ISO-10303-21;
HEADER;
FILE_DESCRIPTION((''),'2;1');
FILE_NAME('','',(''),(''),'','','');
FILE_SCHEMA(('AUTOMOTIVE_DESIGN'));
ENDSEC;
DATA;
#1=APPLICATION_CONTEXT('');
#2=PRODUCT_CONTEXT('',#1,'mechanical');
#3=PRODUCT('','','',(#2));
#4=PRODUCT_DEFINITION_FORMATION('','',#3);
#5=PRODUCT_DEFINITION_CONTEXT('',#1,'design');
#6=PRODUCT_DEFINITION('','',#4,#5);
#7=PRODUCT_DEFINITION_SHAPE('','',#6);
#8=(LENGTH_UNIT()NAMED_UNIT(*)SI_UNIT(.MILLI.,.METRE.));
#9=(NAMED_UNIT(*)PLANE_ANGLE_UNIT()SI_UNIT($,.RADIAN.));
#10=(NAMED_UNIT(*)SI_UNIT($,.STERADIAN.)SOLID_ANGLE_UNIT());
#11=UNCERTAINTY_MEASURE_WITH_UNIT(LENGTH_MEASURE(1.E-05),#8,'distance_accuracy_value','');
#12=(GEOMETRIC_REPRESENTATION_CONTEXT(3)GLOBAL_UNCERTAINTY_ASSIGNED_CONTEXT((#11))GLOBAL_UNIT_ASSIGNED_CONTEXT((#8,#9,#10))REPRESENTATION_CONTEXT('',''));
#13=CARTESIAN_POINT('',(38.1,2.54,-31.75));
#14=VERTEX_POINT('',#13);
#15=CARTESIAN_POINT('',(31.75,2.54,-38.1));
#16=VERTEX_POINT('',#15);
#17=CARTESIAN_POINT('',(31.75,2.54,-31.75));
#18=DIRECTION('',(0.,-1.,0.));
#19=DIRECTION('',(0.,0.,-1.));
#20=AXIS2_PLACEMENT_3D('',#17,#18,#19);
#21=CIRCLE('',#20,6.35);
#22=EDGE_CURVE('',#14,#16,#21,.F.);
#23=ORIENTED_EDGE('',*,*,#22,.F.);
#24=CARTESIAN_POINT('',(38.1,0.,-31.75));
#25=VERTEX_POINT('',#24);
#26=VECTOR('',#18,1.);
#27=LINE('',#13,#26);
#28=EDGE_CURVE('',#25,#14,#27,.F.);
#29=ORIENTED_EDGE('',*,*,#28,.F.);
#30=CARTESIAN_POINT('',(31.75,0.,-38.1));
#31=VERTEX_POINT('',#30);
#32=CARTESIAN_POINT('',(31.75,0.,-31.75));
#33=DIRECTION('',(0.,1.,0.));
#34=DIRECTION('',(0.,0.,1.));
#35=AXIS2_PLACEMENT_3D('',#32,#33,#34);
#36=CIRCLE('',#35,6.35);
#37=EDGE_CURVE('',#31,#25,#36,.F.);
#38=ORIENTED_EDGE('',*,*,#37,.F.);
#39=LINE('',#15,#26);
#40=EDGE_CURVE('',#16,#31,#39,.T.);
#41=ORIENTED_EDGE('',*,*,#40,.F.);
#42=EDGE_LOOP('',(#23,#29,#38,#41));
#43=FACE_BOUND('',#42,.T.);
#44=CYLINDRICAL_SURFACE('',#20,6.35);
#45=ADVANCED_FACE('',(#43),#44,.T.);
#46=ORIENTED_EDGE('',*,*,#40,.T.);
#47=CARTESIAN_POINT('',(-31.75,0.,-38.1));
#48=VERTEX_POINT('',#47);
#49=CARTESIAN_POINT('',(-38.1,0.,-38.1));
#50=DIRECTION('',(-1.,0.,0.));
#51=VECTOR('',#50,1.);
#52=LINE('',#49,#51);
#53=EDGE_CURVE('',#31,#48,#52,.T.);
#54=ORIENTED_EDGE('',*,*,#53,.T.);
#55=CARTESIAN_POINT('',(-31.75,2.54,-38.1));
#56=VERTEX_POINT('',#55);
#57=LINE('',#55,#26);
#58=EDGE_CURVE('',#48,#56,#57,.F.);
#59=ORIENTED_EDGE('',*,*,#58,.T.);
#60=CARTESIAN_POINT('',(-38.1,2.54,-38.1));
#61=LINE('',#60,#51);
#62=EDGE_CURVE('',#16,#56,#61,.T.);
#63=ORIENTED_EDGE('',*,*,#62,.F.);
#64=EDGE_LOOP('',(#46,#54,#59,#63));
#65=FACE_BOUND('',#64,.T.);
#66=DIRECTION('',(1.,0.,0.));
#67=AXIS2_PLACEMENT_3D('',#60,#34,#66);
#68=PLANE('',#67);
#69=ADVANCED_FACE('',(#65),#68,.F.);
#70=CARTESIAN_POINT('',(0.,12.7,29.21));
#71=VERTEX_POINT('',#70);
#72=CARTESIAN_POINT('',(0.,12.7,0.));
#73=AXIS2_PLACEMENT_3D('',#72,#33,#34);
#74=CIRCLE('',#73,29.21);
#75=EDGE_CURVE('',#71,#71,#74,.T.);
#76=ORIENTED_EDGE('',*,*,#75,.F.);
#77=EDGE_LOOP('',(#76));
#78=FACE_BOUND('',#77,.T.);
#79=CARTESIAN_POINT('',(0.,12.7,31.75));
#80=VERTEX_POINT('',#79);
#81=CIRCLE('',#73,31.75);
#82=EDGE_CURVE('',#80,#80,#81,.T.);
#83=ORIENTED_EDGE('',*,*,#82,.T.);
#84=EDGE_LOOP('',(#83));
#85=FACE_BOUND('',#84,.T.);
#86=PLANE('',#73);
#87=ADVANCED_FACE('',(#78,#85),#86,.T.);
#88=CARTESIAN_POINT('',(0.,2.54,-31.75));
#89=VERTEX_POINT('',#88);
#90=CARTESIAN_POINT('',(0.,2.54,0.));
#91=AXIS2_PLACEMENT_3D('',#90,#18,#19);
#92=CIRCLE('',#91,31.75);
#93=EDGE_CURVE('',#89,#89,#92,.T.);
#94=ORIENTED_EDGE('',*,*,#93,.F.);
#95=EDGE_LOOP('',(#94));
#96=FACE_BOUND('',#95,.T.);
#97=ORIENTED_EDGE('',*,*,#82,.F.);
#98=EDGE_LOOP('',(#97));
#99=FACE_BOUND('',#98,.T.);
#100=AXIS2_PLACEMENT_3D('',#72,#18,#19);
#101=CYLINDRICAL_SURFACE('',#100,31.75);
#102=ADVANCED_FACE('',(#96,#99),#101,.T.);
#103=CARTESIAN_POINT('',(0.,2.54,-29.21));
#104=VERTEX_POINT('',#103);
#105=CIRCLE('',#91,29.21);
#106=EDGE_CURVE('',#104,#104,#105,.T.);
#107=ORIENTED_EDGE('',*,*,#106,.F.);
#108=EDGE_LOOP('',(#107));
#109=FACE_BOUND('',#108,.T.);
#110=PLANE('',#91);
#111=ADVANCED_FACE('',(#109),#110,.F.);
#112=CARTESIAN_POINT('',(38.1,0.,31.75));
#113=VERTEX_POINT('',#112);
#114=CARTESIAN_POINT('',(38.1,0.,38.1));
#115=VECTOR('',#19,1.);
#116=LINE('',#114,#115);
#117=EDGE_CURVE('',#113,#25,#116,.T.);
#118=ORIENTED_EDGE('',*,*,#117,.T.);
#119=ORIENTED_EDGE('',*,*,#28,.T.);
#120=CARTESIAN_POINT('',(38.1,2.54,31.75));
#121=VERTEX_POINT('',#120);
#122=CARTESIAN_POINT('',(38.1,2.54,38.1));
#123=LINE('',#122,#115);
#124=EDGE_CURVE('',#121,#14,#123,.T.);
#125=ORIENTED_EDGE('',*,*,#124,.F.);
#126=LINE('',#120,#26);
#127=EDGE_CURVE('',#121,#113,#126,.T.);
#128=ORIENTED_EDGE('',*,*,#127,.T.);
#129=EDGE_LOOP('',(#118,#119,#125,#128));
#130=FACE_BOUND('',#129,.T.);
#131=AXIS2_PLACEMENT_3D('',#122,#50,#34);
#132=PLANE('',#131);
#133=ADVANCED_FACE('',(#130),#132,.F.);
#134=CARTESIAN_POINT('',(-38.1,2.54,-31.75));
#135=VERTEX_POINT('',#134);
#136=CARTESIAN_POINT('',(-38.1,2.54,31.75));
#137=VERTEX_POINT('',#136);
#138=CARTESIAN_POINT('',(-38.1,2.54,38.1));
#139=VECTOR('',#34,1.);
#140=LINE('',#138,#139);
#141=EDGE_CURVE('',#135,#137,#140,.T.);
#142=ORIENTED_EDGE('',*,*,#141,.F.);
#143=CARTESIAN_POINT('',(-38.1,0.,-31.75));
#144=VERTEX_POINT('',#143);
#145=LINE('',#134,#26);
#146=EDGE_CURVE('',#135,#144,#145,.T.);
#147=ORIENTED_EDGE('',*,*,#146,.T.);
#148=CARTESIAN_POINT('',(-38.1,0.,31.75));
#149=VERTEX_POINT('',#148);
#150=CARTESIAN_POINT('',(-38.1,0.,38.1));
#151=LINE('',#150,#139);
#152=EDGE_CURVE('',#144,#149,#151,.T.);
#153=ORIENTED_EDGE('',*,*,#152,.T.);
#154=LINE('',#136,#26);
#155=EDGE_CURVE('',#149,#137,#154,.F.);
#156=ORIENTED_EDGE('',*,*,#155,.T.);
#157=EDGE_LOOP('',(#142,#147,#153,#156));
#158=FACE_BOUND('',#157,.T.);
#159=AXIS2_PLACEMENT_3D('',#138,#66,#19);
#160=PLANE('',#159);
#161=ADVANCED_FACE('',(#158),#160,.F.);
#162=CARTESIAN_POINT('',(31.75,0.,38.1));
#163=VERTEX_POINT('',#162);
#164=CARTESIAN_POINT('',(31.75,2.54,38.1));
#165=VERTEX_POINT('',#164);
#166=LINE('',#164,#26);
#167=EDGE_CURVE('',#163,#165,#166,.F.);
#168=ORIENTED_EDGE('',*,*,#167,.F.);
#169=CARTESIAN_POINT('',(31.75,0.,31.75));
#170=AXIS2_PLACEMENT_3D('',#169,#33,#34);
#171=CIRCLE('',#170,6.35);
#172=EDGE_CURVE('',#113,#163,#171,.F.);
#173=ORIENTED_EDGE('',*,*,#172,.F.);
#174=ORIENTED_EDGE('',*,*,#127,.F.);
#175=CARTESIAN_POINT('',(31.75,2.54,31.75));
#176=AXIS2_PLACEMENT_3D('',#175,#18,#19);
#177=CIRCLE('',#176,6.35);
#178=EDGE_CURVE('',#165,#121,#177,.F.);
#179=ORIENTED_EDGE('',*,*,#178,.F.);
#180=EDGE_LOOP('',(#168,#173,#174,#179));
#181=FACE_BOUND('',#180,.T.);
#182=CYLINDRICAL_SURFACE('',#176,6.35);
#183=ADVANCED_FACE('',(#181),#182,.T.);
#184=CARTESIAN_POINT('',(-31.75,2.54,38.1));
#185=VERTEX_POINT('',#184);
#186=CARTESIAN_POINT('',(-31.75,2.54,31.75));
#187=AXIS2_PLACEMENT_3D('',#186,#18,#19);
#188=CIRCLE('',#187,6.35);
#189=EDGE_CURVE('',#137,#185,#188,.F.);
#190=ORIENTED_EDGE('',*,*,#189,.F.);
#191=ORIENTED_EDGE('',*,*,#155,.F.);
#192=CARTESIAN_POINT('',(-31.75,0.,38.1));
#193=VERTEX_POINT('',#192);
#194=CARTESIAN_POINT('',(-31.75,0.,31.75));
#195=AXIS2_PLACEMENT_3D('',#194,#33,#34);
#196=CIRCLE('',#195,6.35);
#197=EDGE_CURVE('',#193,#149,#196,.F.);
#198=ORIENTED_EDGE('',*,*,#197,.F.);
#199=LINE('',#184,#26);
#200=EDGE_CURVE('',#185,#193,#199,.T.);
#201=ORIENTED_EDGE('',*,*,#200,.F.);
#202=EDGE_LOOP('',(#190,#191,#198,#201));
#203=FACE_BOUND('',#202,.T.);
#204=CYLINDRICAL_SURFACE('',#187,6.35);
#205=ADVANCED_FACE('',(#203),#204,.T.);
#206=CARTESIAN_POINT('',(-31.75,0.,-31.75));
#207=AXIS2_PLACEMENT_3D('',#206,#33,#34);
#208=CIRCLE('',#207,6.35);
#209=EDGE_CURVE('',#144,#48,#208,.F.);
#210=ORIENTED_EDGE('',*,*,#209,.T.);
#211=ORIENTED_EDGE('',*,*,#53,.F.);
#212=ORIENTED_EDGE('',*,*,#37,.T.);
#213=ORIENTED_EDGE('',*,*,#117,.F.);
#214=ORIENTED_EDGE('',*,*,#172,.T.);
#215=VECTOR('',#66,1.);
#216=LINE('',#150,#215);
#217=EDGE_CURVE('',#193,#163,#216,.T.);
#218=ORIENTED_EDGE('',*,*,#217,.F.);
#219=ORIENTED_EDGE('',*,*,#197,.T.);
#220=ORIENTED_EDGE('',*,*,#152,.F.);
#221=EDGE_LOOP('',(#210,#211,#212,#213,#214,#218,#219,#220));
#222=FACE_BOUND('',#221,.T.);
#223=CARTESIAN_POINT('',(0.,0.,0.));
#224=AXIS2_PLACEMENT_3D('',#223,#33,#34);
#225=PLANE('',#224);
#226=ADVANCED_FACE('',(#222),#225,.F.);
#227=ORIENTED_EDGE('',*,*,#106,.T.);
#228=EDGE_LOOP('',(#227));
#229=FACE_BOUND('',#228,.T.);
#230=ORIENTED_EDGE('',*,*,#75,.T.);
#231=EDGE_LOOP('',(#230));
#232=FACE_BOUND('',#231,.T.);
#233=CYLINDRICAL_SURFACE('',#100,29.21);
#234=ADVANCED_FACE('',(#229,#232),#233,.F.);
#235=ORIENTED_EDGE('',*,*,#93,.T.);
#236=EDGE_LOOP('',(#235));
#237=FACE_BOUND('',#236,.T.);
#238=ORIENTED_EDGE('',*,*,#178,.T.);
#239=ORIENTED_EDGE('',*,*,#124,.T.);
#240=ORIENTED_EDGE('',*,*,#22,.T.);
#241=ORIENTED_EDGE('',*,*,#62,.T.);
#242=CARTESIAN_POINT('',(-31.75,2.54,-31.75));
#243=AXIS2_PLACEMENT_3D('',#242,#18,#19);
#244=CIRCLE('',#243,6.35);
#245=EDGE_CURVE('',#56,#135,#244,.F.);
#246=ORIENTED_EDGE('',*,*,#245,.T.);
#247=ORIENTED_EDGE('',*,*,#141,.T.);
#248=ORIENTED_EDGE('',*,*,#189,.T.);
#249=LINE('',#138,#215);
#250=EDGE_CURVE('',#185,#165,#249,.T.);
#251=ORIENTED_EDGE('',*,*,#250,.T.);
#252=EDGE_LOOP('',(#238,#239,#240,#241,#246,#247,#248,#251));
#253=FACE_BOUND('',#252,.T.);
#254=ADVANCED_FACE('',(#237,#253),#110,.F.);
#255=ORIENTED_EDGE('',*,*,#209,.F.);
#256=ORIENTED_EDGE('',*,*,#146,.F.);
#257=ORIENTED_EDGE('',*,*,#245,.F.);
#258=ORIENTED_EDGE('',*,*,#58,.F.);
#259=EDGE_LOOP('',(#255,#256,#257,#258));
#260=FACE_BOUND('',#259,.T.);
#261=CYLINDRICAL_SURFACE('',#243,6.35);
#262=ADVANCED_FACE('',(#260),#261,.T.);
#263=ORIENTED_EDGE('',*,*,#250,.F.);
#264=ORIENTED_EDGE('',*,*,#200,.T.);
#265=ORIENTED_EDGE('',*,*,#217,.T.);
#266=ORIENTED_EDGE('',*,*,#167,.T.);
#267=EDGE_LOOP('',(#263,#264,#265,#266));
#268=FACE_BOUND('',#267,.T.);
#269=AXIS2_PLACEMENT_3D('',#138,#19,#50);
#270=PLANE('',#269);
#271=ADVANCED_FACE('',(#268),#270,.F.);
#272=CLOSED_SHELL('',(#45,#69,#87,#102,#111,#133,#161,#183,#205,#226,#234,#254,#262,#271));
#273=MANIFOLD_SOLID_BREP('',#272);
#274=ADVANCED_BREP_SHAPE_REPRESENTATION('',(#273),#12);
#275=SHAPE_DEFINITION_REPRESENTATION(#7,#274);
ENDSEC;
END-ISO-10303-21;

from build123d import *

# Parameters (mm, degrees)
SKETCH1_R           = 31.75
SKETCH1_R_2         = 29.21
BOSS_EXTRUDE1_DEPTH = 12.7
SKETCH2_W           = 76.2
SKETCH2_H           = 76.2
BOSS_EXTRUDE2_DEPTH = 2.54
FILLET1_R           = 6.35


with BuildPart() as part:
    # Sketch1 → Boss-Extrude1 (new body)
    with BuildSketch(Plane(origin=(0, 0, 0), x_dir=(1, 0, 0), z_dir=(0, 1, 0))):
        with Locations(Location((0, 0, 0), (0, 0, 270))):
            Circle(SKETCH1_R)
        with Locations(Location((0, 0, 0), (0, 0, 270))):
            Circle(SKETCH1_R_2, mode=Mode.SUBTRACT)
    extrude(amount=BOSS_EXTRUDE1_DEPTH)

    # Sketch2 → Boss-Extrude2 (add)
    with BuildSketch(Plane(origin=(0, 0, 0), x_dir=(1, 0, 0), z_dir=(0, 1, 0))):
        Rectangle(SKETCH2_W, SKETCH2_H)
    extrude(amount=BOSS_EXTRUDE2_DEPTH)

    # Fillet1
    fillet1_edges = [part.edges().sort_by_distance(p)[0] for p in [
        (38.1, 1.27, 38.1),
        (38.1, 1.27, -38.1),
        (-38.1, 1.27, -38.1),
        (-38.1, 1.27, 38.1),
    ]]
    fillet(fillet1_edges, radius=FILLET1_R)


solid = part.part
